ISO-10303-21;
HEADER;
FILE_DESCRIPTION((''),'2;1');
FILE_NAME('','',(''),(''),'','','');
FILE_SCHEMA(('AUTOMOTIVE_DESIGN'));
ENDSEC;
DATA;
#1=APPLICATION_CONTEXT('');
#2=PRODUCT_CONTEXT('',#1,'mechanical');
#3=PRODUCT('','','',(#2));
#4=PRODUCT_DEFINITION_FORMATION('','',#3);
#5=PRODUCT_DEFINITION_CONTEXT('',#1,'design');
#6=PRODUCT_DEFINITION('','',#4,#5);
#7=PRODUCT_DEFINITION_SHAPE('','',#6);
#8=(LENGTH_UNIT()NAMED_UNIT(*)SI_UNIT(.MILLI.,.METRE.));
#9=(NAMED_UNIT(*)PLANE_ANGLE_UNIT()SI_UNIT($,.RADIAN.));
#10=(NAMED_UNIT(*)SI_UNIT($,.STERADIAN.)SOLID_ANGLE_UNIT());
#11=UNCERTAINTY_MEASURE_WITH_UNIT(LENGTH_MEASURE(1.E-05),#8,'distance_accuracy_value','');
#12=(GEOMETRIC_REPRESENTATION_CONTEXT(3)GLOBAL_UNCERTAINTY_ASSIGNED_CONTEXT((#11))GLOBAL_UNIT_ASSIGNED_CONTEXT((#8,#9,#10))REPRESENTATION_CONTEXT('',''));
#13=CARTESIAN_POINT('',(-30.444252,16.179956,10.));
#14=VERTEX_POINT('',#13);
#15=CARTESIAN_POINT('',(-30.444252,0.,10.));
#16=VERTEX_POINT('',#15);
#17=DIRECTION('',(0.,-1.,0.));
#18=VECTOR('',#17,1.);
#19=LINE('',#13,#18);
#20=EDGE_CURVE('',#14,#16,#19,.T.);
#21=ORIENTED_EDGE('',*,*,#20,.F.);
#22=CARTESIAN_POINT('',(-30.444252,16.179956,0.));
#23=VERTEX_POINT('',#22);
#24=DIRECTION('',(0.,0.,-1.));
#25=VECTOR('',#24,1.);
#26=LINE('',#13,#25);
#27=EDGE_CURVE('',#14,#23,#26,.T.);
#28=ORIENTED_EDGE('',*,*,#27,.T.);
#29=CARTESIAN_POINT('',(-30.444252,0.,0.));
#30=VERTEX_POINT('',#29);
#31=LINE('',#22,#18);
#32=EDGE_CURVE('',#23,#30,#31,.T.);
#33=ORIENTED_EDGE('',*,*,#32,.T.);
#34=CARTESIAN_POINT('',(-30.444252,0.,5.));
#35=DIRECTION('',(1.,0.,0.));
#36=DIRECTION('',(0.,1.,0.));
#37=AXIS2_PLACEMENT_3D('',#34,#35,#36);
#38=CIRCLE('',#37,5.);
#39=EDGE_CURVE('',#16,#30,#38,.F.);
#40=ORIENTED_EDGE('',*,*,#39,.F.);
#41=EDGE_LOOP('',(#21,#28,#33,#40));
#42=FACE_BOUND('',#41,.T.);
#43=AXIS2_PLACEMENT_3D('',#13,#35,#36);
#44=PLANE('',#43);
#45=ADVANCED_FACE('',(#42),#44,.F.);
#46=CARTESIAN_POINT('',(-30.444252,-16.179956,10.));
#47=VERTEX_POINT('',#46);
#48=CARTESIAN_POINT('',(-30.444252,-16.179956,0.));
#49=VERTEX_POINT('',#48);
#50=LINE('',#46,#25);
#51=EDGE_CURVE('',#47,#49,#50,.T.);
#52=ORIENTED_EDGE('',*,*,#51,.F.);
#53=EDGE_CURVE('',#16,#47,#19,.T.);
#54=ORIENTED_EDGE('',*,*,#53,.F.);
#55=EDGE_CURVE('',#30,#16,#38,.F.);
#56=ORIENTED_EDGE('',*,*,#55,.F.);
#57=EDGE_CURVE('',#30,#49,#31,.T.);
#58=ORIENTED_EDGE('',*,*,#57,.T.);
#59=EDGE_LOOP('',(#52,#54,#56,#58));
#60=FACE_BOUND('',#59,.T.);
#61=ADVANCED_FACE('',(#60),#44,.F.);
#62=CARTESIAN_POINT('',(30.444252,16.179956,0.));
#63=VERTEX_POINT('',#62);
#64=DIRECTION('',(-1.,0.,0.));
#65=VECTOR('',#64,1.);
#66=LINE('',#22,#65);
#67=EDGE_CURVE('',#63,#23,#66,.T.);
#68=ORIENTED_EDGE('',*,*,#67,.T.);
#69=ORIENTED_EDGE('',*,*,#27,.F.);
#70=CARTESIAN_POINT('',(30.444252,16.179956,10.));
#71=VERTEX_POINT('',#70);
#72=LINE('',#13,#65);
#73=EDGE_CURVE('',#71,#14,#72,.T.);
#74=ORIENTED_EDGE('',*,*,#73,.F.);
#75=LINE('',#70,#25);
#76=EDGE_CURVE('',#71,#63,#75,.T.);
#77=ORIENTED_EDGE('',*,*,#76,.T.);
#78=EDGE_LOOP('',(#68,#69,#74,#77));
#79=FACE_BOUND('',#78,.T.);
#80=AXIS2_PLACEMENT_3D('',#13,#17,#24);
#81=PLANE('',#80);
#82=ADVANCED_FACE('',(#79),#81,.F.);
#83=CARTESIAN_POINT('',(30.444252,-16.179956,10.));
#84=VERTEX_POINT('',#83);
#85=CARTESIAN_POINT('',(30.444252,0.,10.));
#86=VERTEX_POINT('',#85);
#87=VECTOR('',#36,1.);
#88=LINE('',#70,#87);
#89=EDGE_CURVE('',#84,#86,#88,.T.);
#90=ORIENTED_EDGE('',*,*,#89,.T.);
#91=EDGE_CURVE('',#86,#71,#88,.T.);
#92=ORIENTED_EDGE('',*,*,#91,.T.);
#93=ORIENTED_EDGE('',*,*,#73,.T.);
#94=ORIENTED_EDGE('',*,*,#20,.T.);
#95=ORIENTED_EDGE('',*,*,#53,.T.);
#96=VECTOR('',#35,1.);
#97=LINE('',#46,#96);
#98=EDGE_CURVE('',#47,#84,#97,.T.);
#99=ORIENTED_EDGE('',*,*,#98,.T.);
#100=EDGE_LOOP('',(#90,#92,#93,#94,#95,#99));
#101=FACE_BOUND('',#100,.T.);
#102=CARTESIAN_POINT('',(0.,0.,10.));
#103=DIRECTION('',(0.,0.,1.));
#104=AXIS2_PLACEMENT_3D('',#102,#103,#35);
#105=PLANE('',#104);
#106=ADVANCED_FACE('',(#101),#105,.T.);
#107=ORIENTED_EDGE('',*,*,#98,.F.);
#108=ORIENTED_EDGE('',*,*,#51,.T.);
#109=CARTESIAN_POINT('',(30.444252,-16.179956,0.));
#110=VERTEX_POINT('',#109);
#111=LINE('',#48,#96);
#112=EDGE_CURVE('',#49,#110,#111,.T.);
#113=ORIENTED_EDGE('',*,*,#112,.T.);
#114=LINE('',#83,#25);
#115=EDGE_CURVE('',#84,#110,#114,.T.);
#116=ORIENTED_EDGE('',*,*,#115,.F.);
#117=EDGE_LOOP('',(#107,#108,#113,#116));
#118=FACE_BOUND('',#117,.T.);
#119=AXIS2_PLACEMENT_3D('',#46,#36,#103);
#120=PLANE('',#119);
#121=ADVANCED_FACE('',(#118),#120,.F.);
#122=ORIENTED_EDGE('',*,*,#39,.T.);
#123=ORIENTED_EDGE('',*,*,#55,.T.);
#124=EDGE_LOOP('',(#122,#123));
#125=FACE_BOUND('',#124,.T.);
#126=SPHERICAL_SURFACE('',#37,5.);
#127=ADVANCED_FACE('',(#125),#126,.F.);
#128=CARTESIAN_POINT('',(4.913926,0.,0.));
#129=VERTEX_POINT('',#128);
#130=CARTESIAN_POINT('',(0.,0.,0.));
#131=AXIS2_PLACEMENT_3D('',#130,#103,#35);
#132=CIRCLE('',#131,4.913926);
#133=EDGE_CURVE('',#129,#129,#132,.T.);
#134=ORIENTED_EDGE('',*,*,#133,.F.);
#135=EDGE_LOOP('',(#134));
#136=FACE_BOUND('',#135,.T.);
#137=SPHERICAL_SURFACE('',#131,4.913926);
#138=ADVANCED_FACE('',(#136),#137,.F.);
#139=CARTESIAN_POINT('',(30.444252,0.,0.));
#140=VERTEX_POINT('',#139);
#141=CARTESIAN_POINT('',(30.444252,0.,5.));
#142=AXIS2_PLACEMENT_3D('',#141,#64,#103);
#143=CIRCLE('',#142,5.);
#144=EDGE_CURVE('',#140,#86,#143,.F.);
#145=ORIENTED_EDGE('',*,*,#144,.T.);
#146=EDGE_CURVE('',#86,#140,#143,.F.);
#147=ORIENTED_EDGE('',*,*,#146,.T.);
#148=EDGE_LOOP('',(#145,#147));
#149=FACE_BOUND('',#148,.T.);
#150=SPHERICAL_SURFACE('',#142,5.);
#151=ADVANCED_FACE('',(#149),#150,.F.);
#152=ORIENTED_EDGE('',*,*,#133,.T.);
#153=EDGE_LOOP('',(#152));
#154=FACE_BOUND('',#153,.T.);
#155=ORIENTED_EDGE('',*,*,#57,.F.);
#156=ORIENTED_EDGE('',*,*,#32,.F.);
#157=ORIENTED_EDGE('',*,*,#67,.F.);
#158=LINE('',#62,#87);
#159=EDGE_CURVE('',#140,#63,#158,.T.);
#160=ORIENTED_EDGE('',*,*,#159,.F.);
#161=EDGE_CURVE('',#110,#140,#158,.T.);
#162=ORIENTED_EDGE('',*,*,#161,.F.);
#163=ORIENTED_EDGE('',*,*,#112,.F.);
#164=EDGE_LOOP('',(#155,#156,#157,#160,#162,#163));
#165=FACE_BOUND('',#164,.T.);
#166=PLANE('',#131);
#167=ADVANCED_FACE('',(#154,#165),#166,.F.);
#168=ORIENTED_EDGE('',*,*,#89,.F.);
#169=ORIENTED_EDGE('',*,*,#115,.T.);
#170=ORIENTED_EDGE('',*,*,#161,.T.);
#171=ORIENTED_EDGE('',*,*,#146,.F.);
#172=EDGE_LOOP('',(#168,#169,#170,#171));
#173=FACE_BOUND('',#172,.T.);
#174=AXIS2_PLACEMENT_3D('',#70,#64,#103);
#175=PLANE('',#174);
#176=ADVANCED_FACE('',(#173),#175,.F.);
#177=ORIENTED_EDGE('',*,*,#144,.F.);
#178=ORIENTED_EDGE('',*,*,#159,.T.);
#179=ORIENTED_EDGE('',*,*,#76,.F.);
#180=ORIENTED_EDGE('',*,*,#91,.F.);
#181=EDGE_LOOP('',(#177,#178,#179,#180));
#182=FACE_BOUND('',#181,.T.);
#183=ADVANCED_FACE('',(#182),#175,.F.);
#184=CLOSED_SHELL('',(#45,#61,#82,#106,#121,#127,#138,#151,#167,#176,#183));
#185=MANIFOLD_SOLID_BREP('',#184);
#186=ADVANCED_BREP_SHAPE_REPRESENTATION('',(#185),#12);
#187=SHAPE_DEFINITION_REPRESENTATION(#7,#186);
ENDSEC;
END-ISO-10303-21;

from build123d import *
from build123d.topology import SkipClean

# Parameters (mm, degrees)
SKETCH_2_W      = 60.888503838
SKETCH_2_H      = 32.359912294
EXTRUDE_1_DEPTH = 10


with BuildPart() as part:
    # 草图2 → 凸台-拉伸1 (new body)
    with BuildSketch(Plane.XY):
        Rectangle(SKETCH_2_W, SKETCH_2_H)
    extrude(amount=EXTRUDE_1_DEPTH)

    # 草图5 → 切除-旋转5 (revolve, cut)
    with BuildSketch(Plane(origin=(0, 0, 0), x_dir=(1, 0, 0), z_dir=(0, 1, 0))):
        with BuildLine():
            Line((-30.444251919, 0), (-30.444251919, -10))
            ThreePointArc((-30.444251919, -10), (-25.444251919, -5), (-30.444251919, 0))
        make_face()
    cut_revolve_5 = revolve(axis=Axis((-30.444251919, 0, 0), (0, 0, 1)), mode=Mode.SUBTRACT)

    # 镜向1: 切除-旋转5 across plane
    with SkipClean():  # the faces are left unmerged after this step: merging them gives an invalid solid
        add(cut_revolve_5.mirror(Plane(origin=(0, 0, 0), x_dir=(0, 0, 1), z_dir=(1, 0, 0))), mode=Mode.SUBTRACT)

    # 草图6 → 切除-旋转6 (revolve, cut)
    with SkipClean():  # the faces are left unmerged after this step: merging them gives an invalid solid
        with BuildSketch(Plane(origin=(0, 0, 0), x_dir=(1, 0, 0), z_dir=(0, 1, 0))):
            with BuildLine():
                Line((-4.913926023, 0), (4.913926023, 0))
                ThreePointArc((4.913926023, 0), (0, -4.913926023), (-4.913926023, 0))
            make_face()
        revolve(axis=Axis((-4.913926023, 0, 0), (1, 0, 0)), mode=Mode.SUBTRACT)


solid = part.part
